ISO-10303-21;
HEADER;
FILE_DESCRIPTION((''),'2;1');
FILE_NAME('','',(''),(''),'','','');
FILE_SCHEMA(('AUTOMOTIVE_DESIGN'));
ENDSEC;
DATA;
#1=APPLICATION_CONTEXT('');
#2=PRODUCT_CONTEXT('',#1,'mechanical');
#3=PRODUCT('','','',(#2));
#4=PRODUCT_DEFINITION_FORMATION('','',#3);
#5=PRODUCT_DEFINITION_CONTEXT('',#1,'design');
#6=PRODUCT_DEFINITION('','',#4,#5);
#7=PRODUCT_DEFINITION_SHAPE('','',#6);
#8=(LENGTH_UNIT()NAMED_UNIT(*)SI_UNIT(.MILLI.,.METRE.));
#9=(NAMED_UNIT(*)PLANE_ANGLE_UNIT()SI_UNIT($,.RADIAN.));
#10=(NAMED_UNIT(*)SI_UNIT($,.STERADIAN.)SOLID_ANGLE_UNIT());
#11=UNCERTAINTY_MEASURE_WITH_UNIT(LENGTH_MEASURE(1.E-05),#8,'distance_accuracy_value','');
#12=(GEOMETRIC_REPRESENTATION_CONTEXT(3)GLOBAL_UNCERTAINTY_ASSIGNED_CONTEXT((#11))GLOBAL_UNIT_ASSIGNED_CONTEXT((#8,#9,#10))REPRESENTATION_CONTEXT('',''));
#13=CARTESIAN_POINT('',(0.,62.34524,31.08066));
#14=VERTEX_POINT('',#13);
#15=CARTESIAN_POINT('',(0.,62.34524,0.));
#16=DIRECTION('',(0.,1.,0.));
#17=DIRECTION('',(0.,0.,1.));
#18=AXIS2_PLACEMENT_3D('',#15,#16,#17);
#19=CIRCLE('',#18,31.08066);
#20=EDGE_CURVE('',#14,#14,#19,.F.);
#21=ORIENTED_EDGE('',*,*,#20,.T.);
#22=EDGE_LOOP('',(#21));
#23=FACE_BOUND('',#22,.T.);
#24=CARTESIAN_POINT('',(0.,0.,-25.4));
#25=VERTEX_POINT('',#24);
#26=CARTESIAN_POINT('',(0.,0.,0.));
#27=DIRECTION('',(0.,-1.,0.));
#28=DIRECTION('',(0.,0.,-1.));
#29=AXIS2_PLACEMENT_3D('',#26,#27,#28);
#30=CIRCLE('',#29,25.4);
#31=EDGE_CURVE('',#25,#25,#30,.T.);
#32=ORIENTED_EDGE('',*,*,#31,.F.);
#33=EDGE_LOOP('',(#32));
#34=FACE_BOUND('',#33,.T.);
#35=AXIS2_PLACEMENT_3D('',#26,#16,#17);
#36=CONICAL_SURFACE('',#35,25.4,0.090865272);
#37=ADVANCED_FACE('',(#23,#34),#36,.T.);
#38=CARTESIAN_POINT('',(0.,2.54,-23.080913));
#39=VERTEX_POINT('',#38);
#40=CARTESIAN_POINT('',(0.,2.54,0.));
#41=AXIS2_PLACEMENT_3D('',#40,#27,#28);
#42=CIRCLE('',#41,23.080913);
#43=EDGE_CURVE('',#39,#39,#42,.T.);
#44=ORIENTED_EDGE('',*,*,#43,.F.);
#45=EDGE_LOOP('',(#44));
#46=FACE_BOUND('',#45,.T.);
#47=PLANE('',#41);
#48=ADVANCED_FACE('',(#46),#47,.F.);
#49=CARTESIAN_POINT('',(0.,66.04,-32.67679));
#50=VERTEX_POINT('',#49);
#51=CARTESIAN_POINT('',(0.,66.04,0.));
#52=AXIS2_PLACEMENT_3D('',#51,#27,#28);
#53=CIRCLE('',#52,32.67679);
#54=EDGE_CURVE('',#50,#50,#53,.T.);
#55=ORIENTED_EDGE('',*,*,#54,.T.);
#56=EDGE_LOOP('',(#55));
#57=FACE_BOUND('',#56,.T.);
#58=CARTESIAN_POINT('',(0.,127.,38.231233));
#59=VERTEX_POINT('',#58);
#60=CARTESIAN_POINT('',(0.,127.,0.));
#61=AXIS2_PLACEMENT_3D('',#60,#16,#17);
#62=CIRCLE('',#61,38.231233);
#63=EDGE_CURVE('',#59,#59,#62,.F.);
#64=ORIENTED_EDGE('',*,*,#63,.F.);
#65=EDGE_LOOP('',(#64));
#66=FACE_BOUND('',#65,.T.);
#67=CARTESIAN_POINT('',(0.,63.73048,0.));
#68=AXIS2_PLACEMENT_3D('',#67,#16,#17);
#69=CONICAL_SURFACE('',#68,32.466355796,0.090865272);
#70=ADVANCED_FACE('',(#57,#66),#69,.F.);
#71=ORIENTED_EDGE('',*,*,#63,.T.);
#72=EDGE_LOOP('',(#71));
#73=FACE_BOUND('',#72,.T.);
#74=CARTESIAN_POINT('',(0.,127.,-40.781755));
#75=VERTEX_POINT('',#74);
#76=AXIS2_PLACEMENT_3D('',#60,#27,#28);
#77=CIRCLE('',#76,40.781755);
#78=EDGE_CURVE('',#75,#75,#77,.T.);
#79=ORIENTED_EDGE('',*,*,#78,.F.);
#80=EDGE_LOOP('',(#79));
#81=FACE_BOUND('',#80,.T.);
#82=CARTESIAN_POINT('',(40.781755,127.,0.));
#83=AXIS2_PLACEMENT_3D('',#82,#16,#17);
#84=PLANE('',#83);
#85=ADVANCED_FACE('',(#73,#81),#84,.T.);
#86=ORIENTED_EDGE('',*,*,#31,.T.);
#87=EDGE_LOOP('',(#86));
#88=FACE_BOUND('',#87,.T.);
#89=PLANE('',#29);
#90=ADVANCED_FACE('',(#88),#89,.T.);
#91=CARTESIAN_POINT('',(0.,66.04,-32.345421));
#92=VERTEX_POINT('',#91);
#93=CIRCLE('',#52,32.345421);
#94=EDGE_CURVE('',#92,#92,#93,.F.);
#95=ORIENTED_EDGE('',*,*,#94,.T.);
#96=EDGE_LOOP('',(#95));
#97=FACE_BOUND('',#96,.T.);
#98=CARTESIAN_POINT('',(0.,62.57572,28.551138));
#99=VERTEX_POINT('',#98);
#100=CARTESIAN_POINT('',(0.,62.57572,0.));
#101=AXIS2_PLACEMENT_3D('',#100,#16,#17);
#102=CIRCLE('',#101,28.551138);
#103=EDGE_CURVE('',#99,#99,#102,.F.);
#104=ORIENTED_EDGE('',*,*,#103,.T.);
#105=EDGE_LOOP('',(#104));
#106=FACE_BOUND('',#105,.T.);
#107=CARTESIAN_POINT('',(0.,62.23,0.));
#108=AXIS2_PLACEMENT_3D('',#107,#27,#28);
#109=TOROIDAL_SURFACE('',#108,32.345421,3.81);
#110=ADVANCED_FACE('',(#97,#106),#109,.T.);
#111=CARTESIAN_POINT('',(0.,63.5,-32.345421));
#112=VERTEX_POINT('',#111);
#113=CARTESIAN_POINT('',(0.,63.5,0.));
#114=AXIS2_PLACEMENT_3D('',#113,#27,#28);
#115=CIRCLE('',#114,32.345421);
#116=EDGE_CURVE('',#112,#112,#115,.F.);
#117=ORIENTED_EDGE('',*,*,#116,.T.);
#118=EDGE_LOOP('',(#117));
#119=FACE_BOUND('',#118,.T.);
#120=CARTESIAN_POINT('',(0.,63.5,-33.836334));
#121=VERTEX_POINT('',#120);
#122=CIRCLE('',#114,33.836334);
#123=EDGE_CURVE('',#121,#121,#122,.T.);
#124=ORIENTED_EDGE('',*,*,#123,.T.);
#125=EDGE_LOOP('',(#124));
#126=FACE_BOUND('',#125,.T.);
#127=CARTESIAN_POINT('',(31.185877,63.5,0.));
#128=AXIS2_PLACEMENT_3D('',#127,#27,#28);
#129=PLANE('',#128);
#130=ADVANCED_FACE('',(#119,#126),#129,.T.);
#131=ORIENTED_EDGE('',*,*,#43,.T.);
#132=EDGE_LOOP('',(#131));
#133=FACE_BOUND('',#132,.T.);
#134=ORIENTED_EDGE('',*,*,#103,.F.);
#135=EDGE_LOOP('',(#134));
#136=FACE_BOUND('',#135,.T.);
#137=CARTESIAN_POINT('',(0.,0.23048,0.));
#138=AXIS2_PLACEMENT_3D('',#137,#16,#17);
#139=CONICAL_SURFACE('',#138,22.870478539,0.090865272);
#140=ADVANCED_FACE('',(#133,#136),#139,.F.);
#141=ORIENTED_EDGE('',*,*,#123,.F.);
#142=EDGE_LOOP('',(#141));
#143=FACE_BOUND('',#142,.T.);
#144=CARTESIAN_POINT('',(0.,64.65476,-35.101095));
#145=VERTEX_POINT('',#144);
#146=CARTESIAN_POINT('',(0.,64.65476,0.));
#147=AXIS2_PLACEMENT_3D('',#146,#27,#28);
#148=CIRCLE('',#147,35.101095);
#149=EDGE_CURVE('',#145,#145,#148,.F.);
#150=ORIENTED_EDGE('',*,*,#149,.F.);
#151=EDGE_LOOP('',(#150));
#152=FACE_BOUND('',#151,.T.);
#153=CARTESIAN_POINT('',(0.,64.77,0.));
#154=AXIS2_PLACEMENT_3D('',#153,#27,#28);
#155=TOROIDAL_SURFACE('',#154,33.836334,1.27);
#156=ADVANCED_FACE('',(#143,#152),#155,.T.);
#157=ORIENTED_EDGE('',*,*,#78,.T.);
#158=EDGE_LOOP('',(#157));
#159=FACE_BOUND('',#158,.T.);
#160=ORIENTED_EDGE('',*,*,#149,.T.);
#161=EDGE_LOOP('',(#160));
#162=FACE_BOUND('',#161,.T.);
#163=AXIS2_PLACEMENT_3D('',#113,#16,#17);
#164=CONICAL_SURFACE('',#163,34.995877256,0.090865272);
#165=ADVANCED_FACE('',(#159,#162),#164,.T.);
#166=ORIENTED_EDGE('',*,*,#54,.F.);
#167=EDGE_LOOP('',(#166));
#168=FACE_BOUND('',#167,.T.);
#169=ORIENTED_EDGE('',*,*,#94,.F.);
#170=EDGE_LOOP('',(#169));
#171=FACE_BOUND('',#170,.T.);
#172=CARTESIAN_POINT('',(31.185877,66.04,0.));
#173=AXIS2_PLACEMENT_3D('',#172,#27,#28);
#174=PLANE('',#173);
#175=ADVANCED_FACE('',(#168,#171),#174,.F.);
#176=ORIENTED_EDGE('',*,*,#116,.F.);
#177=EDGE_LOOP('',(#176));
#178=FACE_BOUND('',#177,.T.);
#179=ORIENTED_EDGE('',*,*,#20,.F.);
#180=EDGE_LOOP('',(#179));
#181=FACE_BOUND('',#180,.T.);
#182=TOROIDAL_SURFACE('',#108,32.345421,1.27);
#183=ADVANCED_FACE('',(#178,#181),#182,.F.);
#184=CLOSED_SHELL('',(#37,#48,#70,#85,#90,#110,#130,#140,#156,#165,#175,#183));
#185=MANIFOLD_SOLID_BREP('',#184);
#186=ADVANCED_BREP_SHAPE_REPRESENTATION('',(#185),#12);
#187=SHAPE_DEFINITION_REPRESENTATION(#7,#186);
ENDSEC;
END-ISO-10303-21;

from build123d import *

# Parameters (mm, degrees)
FILLET1_R = 1.27
SHELL1_T  = -2.54


with BuildPart() as part:
    # Sketch1 → Revolve2 (revolve)
    with BuildSketch(Plane.XY, mode=Mode.PRIVATE) as revolve2_sk:
        Polygon((0, 0), (25.4, 0), (31.185877256, 63.5), (34.995877256, 63.5), (40.781754513, 127), (0, 127), align=None)
    revolve(revolve2_sk.sketch.rotate(Axis((0, 0, 0), (0, 1, 0)), 90), axis=Axis((0, 0, 0), (0, 1, 0)))

    # Fillet1
    fillet1_edges = [part.edges().sort_by_distance(p)[0] for p in [
        (0, 63.5, 34.995877256),
        (0, 63.5, 31.185877256),
    ]]
    fillet(fillet1_edges, radius=FILLET1_R)

    # Shell1
    shell1_openings = [part.faces().sort_by_distance(p)[0] for p in [
        (0, 127, 0),
    ]]
    offset(amount=SHELL1_T, openings=shell1_openings, kind=Kind.INTERSECTION)


solid = part.part
